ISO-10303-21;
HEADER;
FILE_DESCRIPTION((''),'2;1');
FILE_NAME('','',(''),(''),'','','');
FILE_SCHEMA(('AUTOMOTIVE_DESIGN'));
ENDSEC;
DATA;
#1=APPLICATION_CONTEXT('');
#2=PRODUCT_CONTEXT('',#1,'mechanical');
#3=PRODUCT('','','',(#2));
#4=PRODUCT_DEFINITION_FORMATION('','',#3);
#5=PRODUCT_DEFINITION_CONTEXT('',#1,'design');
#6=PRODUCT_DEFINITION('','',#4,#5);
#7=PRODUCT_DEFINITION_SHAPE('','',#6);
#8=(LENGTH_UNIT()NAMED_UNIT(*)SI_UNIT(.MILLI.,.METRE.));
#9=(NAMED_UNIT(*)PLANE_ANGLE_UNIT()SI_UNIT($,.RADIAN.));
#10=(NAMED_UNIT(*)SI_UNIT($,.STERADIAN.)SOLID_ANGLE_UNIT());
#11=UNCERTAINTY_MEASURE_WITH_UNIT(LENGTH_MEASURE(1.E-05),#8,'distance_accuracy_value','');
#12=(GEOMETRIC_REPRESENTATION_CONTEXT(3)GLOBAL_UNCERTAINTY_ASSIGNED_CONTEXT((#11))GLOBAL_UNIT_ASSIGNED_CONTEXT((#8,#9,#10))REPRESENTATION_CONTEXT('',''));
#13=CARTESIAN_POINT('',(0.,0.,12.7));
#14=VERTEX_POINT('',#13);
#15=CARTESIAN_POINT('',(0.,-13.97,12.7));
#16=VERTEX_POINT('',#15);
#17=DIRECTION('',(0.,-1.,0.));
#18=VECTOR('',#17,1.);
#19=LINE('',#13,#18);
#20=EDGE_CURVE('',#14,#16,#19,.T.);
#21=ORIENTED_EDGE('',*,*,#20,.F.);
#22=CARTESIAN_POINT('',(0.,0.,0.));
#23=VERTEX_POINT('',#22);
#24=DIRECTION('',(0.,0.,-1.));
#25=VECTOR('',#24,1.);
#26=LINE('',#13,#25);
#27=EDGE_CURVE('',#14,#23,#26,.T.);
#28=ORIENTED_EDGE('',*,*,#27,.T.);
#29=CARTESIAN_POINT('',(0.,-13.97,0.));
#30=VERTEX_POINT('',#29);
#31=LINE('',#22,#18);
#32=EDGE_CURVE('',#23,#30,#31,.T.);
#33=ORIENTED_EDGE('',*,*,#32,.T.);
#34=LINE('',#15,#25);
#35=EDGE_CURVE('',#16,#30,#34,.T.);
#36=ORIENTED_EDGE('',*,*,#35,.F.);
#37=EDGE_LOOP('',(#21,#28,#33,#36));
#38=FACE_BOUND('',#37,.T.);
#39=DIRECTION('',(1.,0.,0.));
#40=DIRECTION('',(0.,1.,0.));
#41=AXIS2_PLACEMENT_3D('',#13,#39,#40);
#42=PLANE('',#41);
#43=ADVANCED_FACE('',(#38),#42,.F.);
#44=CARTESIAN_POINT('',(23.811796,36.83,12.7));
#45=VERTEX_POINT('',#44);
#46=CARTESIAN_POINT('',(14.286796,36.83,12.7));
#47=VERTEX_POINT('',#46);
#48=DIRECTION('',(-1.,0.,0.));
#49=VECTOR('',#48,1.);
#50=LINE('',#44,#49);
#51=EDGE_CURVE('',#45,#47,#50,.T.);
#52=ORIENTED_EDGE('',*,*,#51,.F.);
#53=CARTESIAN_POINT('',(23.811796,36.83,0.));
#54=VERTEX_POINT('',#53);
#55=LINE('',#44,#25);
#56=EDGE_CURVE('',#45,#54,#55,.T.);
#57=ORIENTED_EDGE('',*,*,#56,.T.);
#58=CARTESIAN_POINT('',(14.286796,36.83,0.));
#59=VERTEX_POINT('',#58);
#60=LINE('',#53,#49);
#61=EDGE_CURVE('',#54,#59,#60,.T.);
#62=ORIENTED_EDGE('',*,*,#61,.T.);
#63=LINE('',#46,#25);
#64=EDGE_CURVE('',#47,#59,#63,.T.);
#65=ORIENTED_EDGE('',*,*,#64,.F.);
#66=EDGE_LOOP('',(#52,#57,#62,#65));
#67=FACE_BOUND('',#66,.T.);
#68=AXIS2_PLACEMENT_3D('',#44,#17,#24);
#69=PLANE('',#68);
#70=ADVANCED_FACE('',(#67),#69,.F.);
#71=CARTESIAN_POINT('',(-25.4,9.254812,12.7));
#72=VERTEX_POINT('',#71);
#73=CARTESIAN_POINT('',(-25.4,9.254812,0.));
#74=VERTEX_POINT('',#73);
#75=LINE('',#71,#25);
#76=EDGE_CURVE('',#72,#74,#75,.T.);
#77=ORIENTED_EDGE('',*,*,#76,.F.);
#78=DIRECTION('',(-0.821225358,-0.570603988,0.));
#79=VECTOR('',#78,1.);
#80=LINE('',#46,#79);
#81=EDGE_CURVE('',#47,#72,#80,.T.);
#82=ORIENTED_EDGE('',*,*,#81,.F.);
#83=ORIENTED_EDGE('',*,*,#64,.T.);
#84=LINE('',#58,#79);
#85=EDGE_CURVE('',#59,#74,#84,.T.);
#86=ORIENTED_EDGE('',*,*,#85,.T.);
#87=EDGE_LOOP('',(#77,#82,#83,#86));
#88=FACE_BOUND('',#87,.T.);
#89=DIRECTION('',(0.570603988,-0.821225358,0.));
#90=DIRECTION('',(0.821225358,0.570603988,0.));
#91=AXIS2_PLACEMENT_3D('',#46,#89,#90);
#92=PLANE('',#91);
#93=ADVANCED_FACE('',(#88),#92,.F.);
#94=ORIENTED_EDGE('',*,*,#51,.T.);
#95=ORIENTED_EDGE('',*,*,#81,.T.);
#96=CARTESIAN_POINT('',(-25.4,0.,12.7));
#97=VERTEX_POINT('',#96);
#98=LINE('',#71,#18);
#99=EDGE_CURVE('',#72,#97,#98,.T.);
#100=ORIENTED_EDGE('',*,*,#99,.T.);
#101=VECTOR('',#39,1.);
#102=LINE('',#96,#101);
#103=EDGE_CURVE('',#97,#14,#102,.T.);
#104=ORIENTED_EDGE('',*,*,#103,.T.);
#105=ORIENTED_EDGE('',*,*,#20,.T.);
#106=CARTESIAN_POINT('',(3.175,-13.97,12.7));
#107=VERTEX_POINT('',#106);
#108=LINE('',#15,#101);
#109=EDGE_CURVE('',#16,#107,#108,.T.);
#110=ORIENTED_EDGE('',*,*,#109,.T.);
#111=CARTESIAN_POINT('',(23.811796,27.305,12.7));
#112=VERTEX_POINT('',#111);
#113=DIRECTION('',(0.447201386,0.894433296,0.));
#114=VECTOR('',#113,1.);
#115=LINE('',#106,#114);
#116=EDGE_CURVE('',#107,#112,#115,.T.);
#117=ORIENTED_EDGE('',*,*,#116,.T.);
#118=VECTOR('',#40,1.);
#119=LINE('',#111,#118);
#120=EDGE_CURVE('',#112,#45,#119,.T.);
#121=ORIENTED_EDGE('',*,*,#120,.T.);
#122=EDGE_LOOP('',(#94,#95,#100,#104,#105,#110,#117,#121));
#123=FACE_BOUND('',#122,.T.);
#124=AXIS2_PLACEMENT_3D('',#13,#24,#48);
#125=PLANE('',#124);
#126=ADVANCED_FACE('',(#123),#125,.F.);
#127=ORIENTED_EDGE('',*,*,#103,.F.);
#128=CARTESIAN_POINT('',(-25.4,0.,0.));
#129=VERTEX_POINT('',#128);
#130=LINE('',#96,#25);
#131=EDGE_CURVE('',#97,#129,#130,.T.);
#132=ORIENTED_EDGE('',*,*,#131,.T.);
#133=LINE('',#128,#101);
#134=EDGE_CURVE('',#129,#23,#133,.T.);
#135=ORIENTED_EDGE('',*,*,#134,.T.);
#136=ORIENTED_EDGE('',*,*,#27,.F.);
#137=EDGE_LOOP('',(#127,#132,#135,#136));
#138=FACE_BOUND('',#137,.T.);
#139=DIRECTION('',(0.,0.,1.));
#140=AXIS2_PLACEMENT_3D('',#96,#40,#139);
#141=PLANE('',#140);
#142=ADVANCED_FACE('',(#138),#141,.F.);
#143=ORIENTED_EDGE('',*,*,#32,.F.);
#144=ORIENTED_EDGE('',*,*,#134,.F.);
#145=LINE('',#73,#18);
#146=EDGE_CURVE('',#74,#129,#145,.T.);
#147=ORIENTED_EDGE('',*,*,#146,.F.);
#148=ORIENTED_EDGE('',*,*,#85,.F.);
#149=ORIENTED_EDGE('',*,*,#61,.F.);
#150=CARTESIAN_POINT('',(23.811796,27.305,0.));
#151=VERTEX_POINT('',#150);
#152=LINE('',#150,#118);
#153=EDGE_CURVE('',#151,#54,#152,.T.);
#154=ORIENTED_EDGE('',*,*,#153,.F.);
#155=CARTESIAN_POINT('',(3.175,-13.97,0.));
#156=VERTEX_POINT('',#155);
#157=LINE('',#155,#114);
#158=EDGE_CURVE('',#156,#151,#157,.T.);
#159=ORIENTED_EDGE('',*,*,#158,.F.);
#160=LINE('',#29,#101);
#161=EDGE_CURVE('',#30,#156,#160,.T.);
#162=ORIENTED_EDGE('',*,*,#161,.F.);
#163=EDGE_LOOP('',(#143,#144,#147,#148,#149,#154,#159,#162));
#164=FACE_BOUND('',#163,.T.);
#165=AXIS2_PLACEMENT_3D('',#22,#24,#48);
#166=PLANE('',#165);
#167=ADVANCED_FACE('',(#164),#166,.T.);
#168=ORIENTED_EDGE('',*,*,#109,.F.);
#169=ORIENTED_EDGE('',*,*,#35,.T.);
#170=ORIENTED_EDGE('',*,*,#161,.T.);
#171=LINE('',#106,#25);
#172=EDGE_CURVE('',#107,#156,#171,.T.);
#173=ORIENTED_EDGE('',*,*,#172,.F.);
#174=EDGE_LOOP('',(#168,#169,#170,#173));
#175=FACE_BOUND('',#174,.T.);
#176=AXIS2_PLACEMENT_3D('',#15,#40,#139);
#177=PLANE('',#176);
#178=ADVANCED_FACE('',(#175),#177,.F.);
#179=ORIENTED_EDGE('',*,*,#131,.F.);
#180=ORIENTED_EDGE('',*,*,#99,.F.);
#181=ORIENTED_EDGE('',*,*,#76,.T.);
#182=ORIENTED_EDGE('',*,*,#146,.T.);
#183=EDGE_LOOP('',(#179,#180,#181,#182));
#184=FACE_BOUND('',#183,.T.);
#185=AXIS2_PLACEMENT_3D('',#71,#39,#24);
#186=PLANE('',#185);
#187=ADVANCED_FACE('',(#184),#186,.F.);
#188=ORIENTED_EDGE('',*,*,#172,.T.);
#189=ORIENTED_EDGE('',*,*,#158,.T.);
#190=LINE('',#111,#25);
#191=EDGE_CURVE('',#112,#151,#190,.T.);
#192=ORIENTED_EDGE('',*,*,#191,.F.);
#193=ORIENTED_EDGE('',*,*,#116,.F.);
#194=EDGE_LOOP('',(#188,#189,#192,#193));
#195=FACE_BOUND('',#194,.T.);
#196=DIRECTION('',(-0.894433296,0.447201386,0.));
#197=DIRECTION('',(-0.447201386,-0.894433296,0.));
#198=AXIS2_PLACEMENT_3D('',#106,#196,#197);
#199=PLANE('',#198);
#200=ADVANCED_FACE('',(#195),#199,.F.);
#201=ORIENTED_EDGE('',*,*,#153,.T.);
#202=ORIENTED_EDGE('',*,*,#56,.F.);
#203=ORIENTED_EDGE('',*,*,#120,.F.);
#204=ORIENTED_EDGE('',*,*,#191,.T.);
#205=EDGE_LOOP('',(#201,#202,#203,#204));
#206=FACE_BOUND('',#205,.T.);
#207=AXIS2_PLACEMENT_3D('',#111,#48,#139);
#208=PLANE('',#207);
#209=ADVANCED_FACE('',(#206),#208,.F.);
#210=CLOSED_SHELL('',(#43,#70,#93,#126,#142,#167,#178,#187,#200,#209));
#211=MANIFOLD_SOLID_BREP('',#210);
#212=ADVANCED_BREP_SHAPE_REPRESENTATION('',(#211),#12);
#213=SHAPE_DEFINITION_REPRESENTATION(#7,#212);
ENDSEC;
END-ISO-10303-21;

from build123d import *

# Parameters (mm, degrees)
BOSS_EXTRUDE1_DEPTH = 12.7


with BuildPart() as part:
    # Sketch1 → Boss-Extrude1 (new body)
    with BuildSketch(Plane.XY):
        Polygon((0, 0), (0, -13.97), (3.175, -13.97), (23.811795693, 27.305), (23.811795693, 36.83), (14.286795693, 36.83), (-25.4, 9.254811708), (-25.4, 0), align=None)
    extrude(amount=BOSS_EXTRUDE1_DEPTH)


solid = part.part
